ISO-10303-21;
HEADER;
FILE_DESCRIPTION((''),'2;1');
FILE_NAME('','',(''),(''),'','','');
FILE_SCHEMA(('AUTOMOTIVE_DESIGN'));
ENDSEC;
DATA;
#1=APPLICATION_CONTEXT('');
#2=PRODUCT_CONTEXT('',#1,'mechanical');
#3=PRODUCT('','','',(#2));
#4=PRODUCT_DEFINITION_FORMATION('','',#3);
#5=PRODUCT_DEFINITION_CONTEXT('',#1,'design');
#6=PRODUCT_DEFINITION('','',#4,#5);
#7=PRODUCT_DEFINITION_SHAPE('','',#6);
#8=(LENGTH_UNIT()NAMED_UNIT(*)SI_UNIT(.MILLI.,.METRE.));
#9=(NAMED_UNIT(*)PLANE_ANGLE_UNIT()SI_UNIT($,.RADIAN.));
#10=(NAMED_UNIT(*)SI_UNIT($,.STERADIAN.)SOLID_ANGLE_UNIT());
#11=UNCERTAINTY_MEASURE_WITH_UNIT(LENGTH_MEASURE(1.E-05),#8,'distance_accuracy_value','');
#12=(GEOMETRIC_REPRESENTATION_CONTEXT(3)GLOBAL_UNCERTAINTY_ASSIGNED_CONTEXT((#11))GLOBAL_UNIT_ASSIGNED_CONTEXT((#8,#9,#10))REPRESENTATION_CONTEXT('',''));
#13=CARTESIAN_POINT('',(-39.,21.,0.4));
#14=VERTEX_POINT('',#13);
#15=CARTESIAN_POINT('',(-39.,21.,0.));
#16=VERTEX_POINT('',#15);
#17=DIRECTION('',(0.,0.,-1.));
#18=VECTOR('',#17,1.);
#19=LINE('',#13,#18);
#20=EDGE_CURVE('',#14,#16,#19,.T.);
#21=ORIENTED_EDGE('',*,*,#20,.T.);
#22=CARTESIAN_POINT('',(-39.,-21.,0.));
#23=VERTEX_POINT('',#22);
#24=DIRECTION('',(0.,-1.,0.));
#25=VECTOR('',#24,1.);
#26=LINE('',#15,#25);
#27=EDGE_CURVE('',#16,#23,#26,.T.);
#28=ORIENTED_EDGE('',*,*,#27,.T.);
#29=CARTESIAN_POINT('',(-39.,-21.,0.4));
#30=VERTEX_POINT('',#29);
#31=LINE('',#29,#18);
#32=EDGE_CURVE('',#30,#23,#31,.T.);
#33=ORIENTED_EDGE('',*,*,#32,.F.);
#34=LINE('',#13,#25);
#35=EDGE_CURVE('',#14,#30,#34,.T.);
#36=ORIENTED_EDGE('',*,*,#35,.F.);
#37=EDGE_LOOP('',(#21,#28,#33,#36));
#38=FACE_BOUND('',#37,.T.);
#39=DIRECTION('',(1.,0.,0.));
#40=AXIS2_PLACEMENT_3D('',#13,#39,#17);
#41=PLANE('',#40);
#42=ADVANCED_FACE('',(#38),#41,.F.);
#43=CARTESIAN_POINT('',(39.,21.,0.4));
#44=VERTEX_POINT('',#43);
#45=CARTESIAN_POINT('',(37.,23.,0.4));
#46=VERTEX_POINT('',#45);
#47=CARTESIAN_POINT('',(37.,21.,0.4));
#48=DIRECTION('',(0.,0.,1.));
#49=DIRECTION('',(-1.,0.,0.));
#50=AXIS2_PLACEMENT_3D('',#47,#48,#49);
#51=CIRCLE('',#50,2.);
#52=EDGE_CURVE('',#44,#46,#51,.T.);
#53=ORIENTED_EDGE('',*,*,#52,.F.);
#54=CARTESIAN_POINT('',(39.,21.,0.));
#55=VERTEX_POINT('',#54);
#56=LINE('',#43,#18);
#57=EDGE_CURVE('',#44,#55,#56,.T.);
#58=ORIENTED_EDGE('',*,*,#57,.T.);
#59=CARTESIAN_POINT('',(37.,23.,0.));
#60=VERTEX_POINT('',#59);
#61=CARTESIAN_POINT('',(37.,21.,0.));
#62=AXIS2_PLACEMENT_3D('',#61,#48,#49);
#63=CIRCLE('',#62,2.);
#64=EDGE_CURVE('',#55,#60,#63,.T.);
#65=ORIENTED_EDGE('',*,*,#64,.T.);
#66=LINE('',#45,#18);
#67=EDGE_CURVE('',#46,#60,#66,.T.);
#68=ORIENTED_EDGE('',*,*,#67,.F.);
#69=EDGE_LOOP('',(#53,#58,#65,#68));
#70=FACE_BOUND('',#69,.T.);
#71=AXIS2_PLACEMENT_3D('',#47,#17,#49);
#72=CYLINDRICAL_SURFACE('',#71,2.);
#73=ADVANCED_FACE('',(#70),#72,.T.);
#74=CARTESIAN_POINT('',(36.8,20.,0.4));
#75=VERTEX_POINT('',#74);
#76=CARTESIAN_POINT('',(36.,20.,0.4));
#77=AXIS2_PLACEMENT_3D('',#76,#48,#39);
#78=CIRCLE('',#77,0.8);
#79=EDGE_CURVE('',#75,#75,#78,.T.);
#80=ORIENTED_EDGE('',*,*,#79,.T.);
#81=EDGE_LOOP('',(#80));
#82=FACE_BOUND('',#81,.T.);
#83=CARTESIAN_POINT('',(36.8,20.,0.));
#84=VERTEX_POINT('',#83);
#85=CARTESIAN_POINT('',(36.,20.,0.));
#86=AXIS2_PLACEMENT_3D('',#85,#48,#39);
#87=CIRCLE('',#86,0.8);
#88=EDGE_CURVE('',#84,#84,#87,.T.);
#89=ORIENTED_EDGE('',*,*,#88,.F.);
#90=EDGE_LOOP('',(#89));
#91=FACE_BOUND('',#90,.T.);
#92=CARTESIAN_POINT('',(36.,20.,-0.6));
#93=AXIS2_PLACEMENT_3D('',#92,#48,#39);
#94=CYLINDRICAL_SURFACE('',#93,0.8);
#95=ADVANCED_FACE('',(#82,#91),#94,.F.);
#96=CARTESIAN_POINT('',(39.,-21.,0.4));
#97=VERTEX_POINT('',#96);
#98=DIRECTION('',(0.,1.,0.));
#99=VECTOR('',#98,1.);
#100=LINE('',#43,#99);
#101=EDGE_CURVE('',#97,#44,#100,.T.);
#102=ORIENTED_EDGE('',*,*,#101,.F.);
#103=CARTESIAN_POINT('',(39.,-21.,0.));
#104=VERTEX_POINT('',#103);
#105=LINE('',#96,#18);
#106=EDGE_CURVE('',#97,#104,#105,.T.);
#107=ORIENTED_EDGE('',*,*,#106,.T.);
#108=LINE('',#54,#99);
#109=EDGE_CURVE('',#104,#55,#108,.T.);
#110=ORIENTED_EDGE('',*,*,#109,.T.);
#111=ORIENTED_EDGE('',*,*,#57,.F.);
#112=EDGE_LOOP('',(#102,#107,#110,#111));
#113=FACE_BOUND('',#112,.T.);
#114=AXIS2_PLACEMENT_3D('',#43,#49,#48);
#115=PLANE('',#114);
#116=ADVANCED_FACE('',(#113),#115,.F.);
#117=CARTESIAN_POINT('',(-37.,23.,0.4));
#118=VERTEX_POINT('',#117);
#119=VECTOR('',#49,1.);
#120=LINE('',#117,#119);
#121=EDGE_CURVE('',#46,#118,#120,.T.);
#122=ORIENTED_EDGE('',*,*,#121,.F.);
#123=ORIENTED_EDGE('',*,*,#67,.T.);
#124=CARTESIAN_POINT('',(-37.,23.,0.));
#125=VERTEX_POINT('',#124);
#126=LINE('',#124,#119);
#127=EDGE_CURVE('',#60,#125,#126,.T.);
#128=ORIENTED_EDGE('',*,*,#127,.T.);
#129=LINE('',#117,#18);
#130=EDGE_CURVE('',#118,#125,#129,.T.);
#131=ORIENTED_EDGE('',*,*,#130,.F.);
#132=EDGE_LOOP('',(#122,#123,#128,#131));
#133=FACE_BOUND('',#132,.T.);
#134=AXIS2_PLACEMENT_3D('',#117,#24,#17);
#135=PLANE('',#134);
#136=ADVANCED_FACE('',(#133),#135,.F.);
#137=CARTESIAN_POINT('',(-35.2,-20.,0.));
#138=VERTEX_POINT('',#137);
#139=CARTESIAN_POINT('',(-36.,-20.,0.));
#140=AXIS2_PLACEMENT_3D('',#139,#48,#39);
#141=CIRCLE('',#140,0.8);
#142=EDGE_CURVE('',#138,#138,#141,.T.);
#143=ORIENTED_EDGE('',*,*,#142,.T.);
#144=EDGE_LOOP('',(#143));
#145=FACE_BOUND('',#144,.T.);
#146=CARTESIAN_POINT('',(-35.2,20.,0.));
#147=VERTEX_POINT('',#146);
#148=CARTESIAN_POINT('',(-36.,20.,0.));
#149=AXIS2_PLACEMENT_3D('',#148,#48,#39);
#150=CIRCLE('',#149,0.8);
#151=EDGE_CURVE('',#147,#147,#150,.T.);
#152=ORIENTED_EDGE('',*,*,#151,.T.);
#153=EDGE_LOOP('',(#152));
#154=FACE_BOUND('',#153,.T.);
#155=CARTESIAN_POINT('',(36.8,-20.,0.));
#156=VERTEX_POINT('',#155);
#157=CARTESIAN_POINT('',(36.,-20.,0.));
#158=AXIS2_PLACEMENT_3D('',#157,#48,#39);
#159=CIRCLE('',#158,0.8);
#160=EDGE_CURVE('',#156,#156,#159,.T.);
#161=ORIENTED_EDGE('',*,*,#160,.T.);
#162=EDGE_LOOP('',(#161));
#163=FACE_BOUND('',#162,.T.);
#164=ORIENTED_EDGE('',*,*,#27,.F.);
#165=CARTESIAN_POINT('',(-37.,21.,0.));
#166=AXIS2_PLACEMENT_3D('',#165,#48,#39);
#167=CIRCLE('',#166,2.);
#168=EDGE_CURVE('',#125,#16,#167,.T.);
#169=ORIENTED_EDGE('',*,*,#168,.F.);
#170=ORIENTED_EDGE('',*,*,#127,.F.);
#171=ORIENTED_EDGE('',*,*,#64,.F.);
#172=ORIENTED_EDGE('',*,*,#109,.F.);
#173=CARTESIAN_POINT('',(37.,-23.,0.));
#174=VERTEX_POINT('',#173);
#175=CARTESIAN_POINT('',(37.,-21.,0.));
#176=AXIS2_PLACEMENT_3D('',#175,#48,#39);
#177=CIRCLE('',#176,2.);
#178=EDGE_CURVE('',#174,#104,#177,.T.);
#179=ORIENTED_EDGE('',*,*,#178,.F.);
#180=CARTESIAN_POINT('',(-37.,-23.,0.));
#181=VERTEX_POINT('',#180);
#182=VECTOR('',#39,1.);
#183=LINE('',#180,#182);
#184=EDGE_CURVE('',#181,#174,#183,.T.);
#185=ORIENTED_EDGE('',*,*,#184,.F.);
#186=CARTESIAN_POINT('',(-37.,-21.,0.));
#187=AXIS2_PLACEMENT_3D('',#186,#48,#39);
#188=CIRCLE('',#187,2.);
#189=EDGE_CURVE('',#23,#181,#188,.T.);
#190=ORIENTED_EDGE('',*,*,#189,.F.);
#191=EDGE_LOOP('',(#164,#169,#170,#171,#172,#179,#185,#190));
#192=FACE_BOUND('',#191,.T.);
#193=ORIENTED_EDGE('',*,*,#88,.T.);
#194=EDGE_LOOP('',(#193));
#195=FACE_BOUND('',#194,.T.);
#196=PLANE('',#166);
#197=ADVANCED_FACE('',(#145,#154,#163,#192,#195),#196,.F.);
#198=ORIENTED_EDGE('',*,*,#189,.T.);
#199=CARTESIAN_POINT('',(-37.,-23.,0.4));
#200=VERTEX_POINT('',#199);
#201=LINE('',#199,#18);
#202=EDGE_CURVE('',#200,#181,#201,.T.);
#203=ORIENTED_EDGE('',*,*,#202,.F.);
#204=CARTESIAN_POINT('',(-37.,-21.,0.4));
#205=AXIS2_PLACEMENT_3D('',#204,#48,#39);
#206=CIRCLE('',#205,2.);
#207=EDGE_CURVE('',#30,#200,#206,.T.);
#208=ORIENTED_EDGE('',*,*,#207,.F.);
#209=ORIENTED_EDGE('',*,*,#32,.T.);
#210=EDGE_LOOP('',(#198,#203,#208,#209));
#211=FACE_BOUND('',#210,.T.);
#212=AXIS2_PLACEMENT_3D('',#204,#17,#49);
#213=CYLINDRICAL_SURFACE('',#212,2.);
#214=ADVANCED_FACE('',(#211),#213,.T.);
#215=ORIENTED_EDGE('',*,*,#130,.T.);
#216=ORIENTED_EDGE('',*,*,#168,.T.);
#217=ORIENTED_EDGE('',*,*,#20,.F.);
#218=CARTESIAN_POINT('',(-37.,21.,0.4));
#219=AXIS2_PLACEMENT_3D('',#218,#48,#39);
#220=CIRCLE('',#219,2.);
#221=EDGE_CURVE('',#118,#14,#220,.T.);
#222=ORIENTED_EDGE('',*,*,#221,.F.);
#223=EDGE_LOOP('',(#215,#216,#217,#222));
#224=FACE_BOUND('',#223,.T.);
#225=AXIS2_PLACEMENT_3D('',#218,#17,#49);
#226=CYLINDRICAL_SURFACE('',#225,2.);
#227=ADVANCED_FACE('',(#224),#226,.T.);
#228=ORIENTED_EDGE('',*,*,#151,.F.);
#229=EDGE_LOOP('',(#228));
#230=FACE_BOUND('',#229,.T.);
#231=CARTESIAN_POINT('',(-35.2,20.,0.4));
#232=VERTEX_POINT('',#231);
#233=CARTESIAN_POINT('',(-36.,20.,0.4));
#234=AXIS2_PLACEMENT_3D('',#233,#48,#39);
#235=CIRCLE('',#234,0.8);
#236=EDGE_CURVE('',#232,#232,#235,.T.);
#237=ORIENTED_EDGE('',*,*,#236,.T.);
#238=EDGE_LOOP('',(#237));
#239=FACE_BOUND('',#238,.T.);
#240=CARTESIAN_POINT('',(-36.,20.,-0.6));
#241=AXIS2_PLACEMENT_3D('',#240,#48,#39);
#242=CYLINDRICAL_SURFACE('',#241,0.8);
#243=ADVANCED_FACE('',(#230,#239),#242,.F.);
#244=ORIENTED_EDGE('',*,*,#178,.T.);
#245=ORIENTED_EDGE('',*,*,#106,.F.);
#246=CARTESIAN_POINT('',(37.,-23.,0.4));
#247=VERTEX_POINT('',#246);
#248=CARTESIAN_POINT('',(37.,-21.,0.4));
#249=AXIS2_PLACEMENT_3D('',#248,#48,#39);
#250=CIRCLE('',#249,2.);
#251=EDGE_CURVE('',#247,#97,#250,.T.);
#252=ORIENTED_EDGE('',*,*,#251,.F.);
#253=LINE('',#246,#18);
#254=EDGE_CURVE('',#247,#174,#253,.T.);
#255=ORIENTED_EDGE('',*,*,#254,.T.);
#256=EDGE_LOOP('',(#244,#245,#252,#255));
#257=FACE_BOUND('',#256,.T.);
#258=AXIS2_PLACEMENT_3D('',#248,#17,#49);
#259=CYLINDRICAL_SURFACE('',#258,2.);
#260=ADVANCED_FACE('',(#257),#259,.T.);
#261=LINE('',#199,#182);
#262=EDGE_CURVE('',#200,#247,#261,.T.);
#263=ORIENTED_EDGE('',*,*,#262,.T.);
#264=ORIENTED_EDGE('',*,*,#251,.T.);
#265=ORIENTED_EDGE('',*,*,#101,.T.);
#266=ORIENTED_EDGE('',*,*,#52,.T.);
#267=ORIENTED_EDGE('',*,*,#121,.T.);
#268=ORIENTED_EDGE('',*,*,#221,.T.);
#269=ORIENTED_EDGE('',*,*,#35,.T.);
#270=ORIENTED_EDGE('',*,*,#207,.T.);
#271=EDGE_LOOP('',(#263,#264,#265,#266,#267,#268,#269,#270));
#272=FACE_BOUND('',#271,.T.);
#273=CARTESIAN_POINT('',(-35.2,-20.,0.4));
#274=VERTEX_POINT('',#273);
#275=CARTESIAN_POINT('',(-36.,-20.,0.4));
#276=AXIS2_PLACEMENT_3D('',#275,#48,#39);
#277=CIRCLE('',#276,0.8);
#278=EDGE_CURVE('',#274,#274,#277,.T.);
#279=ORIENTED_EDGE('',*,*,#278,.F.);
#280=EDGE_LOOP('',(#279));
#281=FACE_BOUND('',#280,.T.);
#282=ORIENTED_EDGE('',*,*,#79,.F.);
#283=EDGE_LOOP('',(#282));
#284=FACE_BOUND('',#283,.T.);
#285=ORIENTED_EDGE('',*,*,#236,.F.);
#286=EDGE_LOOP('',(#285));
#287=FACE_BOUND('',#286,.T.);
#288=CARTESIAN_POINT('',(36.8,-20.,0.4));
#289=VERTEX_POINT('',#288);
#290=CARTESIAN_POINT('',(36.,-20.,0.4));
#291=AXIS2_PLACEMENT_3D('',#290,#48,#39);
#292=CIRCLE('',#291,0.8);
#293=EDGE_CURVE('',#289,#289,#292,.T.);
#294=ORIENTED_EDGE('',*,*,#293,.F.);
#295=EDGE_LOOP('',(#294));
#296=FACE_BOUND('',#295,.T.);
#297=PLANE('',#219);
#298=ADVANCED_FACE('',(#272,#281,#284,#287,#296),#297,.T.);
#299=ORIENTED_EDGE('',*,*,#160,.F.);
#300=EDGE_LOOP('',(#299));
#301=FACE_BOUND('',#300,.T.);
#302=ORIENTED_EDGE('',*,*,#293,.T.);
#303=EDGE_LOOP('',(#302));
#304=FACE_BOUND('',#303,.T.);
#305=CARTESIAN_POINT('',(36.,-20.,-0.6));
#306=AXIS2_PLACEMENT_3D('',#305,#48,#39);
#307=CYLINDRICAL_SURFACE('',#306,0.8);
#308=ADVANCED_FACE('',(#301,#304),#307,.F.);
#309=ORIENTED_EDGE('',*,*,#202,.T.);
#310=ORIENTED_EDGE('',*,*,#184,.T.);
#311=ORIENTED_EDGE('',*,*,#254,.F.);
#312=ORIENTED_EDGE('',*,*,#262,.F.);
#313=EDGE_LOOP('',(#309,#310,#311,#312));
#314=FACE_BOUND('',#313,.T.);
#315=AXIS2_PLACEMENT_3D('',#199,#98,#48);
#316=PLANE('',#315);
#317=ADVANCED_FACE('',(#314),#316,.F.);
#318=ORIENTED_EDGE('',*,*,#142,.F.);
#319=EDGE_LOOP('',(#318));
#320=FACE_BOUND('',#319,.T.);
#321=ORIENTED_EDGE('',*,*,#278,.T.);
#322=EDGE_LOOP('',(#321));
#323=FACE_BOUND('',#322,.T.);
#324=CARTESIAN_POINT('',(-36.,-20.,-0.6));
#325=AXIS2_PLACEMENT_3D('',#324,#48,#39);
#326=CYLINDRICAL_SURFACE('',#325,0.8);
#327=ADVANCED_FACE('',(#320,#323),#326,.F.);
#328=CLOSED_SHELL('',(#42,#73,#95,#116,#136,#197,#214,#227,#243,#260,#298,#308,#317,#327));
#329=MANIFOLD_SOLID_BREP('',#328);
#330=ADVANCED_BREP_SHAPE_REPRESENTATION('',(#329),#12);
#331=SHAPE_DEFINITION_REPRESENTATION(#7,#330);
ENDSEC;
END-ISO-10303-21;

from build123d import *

# Parameters (mm, degrees)
EXTRUDE_1_DEPTH     = 0.4
SKETCH_2_R          = 0.8
CUT_EXTRUDE_1_DEPTH = 1


with BuildPart() as part:
    # Эскиз1 → Бобышка-Вытянуть1 (new body)
    with BuildSketch(Plane.XY):
        with BuildLine():
            Line((-37, 23), (37, 23))
            ThreePointArc((37, 23), (38.414213562, 22.414213562), (39, 21))
            Line((39, 21), (39, -21))
            ThreePointArc((39, -21), (38.414213562, -22.414213562), (37, -23))
            Line((37, -23), (-37, -23))
            ThreePointArc((-37, -23), (-38.414213562, -22.414213562), (-39, -21))
            Line((-39, -21), (-39, 21))
            ThreePointArc((-39, 21), (-38.414213562, 22.414213562), (-37, 23))
        make_face()
    extrude(amount=EXTRUDE_1_DEPTH)

    # Эскиз2 → Вырез-Вытянуть1 (cut)
    with BuildSketch(Plane.XY.offset(0.4)):
        with Locations((-36, 20)):
            Circle(SKETCH_2_R)
        with Locations((36, 20)):
            Circle(SKETCH_2_R)
        with Locations((36, -20)):
            Circle(SKETCH_2_R)
        with Locations((-36, -20)):
            Circle(SKETCH_2_R)
    extrude(amount=-CUT_EXTRUDE_1_DEPTH, mode=Mode.SUBTRACT)


solid = part.part
